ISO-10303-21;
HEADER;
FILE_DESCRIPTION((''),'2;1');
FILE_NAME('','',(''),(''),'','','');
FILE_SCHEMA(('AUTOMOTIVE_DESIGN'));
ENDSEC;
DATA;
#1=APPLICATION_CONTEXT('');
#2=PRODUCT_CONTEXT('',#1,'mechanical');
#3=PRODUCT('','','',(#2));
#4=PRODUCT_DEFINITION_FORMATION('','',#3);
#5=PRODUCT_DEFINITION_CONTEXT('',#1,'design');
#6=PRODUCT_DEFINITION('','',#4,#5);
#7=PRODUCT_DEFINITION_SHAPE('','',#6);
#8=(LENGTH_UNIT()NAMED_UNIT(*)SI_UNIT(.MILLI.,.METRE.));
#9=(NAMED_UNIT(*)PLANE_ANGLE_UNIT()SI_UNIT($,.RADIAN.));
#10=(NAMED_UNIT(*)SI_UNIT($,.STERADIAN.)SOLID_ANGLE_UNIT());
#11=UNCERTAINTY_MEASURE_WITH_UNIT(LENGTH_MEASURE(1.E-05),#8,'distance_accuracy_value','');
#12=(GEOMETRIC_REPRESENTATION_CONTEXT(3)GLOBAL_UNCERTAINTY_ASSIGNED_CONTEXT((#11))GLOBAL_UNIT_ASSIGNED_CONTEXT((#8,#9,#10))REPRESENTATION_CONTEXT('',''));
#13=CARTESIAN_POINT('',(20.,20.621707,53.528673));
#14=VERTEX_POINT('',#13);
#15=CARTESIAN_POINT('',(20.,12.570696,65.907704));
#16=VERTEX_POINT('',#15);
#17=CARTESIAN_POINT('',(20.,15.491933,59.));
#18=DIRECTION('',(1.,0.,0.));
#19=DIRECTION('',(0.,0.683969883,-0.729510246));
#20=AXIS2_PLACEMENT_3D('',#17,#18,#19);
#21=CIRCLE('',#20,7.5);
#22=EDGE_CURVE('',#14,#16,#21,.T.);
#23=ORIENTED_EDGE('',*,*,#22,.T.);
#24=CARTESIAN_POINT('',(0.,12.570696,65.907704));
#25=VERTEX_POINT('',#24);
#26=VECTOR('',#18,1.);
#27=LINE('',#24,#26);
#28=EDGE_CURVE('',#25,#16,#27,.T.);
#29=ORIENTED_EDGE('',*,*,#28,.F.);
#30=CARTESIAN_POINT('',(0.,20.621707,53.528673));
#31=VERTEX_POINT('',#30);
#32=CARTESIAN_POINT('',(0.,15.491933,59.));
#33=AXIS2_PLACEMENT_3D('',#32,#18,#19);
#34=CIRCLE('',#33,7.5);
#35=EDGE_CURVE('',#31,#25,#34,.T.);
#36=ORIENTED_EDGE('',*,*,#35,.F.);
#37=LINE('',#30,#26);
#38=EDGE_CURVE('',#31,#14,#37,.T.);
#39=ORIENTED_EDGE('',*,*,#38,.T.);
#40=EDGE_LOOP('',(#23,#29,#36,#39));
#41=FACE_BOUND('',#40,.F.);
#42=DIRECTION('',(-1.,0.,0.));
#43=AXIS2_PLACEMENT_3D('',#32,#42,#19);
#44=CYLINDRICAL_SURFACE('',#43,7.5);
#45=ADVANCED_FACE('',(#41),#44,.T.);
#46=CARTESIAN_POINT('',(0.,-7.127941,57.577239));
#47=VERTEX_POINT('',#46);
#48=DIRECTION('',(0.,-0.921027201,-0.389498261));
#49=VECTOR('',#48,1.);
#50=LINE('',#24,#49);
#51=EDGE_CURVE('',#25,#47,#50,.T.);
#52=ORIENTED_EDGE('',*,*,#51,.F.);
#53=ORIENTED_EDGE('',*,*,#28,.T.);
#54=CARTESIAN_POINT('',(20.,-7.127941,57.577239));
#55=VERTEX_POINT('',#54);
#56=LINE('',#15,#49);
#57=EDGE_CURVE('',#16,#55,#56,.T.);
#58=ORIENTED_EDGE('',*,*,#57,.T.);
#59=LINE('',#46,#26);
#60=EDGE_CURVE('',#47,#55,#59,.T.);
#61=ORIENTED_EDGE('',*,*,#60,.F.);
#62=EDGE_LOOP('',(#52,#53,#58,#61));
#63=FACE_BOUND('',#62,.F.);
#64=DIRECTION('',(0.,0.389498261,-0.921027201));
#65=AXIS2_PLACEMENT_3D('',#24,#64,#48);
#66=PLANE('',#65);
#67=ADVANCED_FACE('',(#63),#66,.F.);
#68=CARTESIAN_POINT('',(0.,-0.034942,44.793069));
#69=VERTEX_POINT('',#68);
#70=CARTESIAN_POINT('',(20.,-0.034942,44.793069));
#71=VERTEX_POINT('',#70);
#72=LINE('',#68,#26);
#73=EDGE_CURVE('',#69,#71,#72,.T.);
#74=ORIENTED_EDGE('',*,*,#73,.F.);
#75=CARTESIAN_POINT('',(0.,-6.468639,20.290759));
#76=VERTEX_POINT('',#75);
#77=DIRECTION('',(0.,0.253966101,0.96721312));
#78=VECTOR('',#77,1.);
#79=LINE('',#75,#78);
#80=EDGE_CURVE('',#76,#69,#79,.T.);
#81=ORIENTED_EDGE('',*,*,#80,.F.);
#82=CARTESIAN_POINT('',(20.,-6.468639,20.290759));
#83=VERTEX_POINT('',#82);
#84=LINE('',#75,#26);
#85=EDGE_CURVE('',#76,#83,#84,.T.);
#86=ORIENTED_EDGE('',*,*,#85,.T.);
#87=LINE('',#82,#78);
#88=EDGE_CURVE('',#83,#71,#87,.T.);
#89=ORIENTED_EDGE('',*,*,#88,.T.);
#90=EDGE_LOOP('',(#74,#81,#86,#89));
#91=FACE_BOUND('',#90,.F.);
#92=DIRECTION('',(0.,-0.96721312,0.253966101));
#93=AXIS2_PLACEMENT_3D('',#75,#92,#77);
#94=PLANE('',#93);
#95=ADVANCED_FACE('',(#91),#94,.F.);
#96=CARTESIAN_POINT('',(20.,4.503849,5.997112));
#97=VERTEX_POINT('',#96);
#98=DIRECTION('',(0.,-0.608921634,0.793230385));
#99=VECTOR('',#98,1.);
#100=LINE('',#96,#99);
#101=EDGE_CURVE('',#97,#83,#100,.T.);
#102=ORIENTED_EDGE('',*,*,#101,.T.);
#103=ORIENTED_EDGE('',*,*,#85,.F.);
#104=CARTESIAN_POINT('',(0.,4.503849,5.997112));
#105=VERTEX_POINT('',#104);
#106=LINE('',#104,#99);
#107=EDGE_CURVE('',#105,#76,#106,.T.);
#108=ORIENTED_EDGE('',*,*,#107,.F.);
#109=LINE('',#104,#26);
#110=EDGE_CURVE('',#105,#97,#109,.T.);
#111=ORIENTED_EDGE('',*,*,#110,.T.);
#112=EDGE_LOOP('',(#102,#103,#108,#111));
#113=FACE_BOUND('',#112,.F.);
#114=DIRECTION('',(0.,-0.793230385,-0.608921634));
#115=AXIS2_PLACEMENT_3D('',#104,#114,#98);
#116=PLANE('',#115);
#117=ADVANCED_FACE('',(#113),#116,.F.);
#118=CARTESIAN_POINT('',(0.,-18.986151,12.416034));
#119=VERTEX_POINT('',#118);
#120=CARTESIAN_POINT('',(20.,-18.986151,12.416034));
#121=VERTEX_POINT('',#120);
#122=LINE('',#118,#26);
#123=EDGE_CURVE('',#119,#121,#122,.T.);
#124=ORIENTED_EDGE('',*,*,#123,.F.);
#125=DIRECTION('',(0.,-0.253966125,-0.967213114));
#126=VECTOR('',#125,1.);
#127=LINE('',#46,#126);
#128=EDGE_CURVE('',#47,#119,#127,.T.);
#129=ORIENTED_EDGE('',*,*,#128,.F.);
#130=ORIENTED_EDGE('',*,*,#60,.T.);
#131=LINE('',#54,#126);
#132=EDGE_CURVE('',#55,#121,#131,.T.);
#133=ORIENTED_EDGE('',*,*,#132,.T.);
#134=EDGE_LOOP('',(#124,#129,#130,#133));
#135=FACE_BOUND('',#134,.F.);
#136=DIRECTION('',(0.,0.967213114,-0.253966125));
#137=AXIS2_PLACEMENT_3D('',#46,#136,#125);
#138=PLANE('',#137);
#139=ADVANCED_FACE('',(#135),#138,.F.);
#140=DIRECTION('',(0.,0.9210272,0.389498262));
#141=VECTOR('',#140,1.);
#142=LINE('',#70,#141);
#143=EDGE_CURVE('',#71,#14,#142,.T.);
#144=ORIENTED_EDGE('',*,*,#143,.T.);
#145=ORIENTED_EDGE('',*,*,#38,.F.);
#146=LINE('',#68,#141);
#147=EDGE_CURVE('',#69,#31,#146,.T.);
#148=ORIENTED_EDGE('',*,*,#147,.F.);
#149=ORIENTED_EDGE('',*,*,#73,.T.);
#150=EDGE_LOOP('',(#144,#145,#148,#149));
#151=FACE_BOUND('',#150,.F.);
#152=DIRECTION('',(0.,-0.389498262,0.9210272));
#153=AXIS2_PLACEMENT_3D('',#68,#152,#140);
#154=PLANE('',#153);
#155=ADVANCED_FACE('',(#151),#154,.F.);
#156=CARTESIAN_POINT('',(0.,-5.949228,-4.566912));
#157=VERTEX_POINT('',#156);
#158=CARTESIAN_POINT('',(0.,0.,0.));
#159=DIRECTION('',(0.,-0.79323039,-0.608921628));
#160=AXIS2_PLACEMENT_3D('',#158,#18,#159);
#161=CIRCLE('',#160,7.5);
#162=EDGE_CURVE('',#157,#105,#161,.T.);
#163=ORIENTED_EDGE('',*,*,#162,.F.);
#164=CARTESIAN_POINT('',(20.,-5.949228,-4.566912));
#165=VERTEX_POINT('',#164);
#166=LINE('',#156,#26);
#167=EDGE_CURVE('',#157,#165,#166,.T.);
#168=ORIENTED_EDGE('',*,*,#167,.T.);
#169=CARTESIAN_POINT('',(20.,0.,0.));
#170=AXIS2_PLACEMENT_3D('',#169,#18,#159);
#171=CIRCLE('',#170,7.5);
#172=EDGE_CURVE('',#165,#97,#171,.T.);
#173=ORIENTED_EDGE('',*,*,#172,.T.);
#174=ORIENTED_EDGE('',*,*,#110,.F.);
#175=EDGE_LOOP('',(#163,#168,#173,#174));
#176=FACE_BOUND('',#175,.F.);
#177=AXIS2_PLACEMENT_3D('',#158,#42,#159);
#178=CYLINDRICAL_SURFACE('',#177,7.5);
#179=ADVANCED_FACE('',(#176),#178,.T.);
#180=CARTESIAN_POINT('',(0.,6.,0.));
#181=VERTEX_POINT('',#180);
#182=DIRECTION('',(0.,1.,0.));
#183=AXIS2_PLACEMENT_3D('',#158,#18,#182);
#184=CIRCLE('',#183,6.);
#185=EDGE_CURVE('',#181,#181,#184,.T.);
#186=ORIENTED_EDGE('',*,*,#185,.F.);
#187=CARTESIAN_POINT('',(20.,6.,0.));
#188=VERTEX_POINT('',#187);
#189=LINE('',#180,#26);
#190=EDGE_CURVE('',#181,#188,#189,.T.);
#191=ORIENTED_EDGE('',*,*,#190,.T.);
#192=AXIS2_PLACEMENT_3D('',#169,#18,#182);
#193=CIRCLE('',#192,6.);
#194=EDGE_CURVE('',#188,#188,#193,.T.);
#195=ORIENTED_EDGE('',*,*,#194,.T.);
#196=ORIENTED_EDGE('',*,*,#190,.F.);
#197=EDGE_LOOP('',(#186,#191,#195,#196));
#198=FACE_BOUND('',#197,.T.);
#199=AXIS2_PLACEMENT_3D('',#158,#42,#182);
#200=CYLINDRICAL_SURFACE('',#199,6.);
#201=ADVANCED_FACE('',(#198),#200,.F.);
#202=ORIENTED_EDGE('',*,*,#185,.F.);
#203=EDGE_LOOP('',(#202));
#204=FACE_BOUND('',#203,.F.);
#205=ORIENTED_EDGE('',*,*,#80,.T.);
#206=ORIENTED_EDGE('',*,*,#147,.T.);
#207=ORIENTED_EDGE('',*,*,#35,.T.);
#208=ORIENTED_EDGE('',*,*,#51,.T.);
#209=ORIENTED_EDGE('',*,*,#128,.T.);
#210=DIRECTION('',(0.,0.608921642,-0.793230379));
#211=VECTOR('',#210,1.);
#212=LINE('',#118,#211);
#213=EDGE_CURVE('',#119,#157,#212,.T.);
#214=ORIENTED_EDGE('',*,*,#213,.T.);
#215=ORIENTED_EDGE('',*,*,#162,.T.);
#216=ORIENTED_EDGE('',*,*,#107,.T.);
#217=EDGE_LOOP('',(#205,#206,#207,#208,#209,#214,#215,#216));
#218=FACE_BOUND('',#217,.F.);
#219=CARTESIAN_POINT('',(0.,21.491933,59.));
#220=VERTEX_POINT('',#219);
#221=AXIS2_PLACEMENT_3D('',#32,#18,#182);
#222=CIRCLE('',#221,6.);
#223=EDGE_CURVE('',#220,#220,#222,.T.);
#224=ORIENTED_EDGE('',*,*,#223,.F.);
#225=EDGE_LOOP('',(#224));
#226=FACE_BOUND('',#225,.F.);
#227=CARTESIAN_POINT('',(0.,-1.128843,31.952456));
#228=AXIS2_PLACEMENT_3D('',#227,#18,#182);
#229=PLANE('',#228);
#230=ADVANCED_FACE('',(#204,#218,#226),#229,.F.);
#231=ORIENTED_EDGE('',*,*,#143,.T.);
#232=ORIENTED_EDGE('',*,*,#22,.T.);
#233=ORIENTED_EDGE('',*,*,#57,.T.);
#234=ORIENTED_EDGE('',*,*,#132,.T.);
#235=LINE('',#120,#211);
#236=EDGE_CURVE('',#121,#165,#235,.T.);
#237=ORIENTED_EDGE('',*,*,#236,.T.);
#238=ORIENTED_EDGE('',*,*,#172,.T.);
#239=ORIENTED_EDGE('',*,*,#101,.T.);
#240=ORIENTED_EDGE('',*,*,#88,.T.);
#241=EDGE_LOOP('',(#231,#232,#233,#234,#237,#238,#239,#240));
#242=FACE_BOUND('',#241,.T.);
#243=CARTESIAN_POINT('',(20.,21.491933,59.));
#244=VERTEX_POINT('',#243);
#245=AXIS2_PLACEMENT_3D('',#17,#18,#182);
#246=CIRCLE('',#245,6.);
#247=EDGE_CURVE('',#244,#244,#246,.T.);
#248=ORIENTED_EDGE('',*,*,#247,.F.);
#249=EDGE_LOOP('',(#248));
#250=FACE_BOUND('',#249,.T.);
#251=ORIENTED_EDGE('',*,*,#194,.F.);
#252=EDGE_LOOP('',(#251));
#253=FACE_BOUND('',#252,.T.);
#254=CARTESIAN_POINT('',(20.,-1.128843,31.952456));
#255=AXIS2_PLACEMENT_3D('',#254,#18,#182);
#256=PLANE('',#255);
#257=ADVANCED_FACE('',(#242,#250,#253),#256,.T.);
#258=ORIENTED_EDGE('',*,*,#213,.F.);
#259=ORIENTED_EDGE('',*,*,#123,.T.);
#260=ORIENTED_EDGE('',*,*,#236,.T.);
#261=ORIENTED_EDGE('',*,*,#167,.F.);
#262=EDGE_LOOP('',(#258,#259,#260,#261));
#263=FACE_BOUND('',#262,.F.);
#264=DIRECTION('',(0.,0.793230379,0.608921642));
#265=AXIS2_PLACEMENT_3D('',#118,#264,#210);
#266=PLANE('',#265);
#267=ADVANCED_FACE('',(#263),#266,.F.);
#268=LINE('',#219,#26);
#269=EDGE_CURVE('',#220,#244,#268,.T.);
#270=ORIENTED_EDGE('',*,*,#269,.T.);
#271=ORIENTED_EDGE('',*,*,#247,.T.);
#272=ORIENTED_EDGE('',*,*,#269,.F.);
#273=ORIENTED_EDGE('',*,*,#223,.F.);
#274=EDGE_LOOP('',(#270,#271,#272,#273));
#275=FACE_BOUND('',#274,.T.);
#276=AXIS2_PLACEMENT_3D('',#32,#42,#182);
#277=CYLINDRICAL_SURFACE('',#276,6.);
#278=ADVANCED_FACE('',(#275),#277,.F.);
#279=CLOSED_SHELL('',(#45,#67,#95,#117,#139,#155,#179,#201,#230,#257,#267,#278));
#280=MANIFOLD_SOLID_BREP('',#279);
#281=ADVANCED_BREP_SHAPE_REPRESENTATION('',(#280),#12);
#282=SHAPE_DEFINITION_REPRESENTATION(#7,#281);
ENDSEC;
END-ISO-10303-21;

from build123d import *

# Parameters (mm, degrees)
F0_R     = 6
F1_DEPTH = 20


with BuildPart() as f1:
    # F0 (on Right) → F1 (new body)
    with BuildSketch(Plane.YZ):
        with BuildLine():
            ThreePointArc((20.621707, 53.528673), (21.779183, 63.089069), (12.570696, 65.907704))
            Line((12.570696, 65.907704), (-7.127941, 57.577239))
            Line((-7.127941, 57.577239), (-18.986151, 12.416034))
            Line((-18.986151, 12.416034), (-5.949228, -4.566912))
            ThreePointArc((-5.949228, -4.566912), (5.331222, -5.275232), (4.503849, 5.997112))
            Line((4.503849, 5.997112), (-6.468639, 20.290759))
            Line((-6.468639, 20.290759), (-0.034942, 44.793069))
            Line((-0.034942, 44.793069), (20.621707, 53.528673))
        make_face()
        Circle(F0_R, mode=Mode.SUBTRACT)
        with Locations((15.491933, 59)):
            Circle(F0_R, mode=Mode.SUBTRACT)
    extrude(amount=F1_DEPTH)


solid = f1.part
